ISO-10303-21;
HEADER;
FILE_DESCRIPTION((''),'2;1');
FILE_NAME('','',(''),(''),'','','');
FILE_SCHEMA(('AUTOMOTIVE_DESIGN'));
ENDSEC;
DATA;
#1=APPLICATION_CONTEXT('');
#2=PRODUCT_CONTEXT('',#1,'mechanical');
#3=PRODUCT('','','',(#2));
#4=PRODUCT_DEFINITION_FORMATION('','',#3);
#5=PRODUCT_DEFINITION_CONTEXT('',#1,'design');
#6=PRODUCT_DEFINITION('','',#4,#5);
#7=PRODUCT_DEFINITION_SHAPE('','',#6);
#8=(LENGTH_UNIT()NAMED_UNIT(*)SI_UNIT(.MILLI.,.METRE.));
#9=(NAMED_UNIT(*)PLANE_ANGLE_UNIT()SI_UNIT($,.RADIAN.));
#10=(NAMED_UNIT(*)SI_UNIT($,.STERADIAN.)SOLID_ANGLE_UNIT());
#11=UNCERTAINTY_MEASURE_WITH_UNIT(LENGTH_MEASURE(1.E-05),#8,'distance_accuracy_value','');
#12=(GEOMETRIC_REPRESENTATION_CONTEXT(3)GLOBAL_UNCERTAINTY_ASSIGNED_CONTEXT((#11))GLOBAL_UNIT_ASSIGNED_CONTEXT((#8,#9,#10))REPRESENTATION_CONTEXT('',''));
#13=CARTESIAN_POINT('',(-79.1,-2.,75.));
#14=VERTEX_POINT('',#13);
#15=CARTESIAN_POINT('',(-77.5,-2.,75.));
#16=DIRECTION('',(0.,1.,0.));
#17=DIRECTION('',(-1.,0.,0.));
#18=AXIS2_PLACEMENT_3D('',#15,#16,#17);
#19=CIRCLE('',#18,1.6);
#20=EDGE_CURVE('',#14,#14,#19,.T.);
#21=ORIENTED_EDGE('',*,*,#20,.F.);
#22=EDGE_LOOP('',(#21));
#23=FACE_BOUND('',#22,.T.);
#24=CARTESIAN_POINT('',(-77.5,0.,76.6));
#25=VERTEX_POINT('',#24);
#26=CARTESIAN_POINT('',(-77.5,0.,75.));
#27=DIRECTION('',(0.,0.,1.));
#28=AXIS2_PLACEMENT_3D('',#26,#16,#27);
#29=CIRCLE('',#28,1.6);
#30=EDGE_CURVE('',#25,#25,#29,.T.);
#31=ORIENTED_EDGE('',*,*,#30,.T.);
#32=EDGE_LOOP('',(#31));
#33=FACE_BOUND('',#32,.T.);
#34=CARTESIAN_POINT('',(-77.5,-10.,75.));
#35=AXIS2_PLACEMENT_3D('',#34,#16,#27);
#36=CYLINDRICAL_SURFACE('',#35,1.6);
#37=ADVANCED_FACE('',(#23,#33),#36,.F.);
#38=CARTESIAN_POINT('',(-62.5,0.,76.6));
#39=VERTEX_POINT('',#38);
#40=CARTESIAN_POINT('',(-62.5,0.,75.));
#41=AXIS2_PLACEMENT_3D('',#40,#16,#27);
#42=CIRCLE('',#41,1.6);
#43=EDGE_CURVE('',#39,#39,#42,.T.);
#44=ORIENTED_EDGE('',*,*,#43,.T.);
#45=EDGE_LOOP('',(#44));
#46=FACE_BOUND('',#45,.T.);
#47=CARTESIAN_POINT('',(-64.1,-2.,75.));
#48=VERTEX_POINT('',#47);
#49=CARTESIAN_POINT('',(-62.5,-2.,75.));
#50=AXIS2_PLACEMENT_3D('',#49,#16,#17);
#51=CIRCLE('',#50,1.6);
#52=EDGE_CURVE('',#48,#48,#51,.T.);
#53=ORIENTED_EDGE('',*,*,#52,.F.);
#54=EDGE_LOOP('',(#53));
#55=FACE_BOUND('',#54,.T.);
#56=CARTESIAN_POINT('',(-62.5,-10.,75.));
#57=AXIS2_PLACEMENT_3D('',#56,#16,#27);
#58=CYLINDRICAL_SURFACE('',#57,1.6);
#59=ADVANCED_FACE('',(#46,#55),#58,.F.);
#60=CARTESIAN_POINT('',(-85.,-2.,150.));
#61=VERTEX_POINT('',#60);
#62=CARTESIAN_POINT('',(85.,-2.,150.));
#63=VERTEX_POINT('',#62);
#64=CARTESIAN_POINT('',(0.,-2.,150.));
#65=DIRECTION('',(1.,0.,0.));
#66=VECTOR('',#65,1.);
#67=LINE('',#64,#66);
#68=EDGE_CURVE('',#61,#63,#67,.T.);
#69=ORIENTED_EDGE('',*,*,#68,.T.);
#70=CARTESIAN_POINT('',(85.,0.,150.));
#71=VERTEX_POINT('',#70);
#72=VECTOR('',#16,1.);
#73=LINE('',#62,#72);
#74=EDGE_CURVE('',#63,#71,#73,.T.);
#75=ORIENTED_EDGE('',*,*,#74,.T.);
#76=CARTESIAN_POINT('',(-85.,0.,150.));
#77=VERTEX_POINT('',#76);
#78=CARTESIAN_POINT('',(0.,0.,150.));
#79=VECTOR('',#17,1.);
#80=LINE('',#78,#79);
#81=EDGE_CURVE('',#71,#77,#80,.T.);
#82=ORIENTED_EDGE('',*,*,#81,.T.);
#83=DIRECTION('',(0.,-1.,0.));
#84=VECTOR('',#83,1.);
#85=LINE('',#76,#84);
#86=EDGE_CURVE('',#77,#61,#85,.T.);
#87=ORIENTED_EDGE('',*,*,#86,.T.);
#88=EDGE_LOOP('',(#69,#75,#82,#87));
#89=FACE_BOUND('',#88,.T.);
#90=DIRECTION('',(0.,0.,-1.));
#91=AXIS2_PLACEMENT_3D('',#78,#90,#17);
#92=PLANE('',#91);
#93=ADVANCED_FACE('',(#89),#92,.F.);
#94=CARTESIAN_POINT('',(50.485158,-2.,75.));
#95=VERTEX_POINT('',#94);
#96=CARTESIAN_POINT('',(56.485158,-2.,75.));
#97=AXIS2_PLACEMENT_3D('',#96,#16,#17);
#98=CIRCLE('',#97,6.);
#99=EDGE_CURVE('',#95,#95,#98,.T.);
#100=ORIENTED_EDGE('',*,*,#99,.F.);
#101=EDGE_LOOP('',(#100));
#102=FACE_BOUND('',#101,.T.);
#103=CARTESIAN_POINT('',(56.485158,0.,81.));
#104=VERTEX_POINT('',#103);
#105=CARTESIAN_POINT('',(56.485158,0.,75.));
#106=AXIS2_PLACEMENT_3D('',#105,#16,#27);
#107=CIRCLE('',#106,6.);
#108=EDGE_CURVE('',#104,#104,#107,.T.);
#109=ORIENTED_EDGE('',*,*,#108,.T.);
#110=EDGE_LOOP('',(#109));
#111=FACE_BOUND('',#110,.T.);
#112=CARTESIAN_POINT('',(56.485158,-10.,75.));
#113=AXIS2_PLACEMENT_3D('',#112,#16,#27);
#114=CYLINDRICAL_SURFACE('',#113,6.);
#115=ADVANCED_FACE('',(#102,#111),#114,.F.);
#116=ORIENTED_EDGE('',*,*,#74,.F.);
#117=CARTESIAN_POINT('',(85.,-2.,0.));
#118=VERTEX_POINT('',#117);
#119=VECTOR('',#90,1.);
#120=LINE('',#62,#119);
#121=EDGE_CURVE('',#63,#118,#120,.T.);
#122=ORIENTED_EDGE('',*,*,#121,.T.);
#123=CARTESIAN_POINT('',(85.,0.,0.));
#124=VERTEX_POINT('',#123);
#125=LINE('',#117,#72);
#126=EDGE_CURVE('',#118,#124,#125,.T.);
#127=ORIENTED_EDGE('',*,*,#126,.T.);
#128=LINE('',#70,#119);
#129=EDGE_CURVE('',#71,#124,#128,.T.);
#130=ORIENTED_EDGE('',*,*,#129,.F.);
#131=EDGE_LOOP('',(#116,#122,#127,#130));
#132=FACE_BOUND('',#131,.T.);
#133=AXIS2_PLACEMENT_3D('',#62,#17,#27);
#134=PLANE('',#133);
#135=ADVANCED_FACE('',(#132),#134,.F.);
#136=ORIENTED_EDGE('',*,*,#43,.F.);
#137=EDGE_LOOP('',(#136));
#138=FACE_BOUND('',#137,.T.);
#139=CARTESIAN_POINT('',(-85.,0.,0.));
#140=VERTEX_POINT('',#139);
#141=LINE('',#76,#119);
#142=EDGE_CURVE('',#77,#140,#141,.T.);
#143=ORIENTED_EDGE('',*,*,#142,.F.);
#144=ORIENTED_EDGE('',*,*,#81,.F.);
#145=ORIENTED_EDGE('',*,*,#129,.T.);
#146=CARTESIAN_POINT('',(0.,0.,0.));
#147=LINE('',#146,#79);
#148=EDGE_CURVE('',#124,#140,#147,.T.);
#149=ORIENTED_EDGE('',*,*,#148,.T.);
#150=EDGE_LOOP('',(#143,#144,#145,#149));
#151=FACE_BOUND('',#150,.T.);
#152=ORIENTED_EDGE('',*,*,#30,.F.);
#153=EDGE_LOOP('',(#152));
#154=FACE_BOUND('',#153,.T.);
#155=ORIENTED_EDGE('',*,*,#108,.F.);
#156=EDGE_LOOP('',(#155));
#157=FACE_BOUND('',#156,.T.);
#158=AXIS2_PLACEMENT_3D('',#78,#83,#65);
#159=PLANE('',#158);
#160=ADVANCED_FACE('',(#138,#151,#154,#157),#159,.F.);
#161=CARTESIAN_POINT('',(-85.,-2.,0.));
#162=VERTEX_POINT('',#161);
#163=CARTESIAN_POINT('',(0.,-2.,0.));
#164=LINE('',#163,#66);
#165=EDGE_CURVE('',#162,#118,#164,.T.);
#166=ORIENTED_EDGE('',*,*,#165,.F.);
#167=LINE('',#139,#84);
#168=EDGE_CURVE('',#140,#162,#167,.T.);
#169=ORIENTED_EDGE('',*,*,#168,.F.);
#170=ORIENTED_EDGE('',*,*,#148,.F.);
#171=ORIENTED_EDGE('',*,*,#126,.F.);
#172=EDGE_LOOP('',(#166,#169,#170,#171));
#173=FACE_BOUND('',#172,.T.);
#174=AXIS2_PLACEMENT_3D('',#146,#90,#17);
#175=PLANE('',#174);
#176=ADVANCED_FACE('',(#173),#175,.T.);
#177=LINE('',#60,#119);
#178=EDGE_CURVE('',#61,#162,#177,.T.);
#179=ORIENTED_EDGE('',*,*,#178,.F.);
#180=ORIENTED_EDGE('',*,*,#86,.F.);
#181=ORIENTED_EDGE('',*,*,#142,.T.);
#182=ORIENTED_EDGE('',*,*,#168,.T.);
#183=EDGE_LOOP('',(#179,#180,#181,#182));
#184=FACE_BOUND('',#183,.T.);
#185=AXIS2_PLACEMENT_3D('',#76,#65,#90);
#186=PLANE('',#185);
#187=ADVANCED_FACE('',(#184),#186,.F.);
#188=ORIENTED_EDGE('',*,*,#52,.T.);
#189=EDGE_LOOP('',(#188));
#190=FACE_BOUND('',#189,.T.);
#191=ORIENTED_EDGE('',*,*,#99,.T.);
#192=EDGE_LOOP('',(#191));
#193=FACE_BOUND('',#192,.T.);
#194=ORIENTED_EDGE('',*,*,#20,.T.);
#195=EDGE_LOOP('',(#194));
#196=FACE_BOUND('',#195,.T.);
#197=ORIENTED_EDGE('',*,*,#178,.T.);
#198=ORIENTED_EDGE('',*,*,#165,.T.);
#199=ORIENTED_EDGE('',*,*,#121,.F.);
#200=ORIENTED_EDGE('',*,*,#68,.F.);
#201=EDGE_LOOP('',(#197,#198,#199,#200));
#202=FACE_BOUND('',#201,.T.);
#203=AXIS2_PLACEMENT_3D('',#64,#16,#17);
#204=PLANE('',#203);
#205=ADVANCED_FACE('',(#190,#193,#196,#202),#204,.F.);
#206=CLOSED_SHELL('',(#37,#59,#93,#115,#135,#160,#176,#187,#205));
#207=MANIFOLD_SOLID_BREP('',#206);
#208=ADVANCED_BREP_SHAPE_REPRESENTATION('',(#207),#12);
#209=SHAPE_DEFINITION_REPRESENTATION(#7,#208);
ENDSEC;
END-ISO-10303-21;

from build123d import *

# Parameters (mm, degrees)
BOSS_EXTRUDE3_DEPTH = 150
SKETCH4_R           = 1.6
CUT_EXTRUDE1_DEPTH  = 10
SKETCH5_R           = 6
CUT_EXTRUDE2_DEPTH  = 10


with BuildPart() as part:
    # Sketch3 → Boss-Extrude3 (new body)
    with BuildSketch(Plane.XY):
        Polygon((0, 0), (85, 0), (85, -2), (0, -2), (-85, -2), (-85, 0), align=None)
    extrude(amount=BOSS_EXTRUDE3_DEPTH)

    # Sketch4 → Cut-Extrude1 (cut)
    with BuildSketch(Plane(origin=(0, 0, 0), x_dir=(1, 0, 0), z_dir=(0, 1, 0))):
        with Locations((-77.5, -75)):
            Circle(SKETCH4_R)
        with Locations((-62.5, -75)):
            Circle(SKETCH4_R)
    extrude(amount=-CUT_EXTRUDE1_DEPTH, mode=Mode.SUBTRACT)

    # Sketch5 → Cut-Extrude2 (cut)
    with BuildSketch(Plane(origin=(0, 0, 0), x_dir=(1, 0, 0), z_dir=(0, 1, 0))):
        with Locations((56.485157875, -75)):
            Circle(SKETCH5_R)
    extrude(amount=-CUT_EXTRUDE2_DEPTH, mode=Mode.SUBTRACT)


solid = part.part
